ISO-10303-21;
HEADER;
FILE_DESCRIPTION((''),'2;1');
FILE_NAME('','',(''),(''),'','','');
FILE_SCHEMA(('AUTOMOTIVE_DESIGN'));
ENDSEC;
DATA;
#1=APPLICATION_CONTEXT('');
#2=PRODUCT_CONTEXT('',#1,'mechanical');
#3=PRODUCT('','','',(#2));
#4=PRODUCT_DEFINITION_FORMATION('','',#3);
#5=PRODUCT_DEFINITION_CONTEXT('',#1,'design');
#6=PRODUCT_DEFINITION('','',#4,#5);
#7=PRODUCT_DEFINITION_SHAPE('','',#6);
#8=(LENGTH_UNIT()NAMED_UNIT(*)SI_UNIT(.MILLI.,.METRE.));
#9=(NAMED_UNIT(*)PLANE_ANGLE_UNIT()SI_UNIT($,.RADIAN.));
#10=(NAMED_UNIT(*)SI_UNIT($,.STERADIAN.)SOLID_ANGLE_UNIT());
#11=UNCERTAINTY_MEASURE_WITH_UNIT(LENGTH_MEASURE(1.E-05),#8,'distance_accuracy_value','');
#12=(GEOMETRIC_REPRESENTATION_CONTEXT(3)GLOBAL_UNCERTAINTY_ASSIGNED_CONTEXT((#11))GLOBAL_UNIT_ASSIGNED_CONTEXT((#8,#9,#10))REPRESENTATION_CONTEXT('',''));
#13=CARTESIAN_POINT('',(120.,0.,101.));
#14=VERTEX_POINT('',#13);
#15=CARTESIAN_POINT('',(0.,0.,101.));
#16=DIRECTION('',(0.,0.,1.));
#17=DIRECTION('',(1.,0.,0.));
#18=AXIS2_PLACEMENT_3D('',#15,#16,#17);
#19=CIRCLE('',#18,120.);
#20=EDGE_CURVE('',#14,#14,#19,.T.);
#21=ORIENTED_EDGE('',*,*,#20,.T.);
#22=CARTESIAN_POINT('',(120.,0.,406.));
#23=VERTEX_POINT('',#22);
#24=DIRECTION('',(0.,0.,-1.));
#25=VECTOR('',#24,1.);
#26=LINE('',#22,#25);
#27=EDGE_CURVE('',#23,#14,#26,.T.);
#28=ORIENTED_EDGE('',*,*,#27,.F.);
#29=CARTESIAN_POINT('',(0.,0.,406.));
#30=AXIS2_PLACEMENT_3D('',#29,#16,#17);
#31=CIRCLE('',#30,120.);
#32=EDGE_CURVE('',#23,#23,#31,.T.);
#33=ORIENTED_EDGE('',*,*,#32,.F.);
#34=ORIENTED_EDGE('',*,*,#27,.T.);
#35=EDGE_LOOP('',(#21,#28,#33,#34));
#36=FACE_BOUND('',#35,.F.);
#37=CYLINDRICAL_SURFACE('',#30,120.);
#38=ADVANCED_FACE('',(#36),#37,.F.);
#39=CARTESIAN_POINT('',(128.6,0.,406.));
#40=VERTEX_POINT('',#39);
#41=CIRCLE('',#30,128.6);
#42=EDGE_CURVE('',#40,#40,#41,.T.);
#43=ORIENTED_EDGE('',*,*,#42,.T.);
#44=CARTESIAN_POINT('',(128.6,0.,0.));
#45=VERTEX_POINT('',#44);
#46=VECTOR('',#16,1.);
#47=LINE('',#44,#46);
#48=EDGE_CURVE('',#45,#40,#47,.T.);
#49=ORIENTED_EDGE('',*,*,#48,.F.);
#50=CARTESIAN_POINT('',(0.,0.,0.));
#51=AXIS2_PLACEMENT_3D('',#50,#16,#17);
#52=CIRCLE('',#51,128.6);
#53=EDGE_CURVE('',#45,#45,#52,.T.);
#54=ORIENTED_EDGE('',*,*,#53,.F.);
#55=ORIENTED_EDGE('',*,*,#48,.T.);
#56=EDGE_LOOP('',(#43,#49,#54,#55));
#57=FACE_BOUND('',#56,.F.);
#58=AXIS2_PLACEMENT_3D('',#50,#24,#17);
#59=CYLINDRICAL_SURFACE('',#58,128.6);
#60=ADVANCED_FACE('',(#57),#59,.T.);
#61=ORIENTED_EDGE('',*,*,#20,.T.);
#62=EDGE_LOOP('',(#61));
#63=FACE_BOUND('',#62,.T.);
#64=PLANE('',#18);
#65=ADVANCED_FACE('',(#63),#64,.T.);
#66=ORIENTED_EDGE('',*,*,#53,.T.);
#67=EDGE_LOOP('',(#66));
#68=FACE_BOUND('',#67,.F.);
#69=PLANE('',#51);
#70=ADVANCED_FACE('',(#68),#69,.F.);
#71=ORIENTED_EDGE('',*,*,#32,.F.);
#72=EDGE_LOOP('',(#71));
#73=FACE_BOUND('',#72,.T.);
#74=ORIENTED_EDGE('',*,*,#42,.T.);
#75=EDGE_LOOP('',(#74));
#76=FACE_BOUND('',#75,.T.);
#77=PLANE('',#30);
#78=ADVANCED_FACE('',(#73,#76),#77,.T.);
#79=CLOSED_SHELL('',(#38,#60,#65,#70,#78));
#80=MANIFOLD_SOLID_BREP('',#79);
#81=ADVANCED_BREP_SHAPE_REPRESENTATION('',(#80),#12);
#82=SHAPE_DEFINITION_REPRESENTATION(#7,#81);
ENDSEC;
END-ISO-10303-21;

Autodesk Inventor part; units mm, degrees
ref_plane "XY Plane" through (0, 0, 0) normal (0, 0, 1) x (1, 0, 0)
sketch "Sketch1" plane through (0, 0, 0) normal (0, 0, 1) x (1, 0, 0)
  circle A0 centre (0, 0) radius 128.6
  dimension "d0" = 257.2
extrude "Extrusion1" add sketch "Sketch1" along normal blind 406
sketch "Sketch2" plane through (0, 0, 406) normal (0, 0, 1) x (1, 0, 0)
  circle A0 centre (0, 0) radius 120
  dimension "d3" = 240
extrude "Extrusion2" cut sketch "Sketch2" against normal blind 305
ref_plane "Work Plane1" through (0, 0, 176) normal (0, 0, 1) x (1, 0, 0)
ref_plane "Work Plane2" through (0, 125, 0) normal (0, 1, 0) x (-1, 0, 0)
ref_plane "Work Plane3" through (0, -125, 0) normal (0, 1, 0) x (-1, 0, 0)
ref_plane "Work Plane4" through (-125, 0, 0) normal (1, 0, 0) x (0, 1, 0)
ref_plane "Work Plane5" through (0, 128.6, 0) normal (0, 1, 0) x (-1, 0, 0)
sketch "Sketch5" plane through (0, 128.6, 0) normal (0, 1, 0) x (-1, 0, 0)
  line L0 (-180.04, 176) -> (180.04, 176) projected
  line L1 (0, 176) -> (0, 218.6264) construction
  point P0 (0, 0)
ref_plane "Work Plane6" through (-128.6, 0, 0) normal (1, 0, 0) x (0, 1, 0)
sketch "Sketch6" plane through (-128.6, 0, 0) normal (1, 0, 0) x (0, 1, 0)
  line L0 (0, 175.878) -> (0, 199.156) construction
  point P0 (0, 0)
ref_plane "Work Plane7" through (0, -128.6, 0) normal (0, 1, 0) x (-1, 0, 0)
sketch "Sketch7" plane through (0, -128.6, 0) normal (0, 1, 0) x (-1, 0, 0)
  line L0 (-180.04, 176) -> (180.04, 176) construction
  line L1 (0, 176) -> (0, 205.0219) construction
  point P0 (0, 0)
sketch "Sketch8" plane through (0, 0, 101) normal (0, 0, 1) x (1, 0, 0)
  point P0 (0, 0)
  point P1 (0, 0)
properties part number "CF9512_mounting_lugs"
